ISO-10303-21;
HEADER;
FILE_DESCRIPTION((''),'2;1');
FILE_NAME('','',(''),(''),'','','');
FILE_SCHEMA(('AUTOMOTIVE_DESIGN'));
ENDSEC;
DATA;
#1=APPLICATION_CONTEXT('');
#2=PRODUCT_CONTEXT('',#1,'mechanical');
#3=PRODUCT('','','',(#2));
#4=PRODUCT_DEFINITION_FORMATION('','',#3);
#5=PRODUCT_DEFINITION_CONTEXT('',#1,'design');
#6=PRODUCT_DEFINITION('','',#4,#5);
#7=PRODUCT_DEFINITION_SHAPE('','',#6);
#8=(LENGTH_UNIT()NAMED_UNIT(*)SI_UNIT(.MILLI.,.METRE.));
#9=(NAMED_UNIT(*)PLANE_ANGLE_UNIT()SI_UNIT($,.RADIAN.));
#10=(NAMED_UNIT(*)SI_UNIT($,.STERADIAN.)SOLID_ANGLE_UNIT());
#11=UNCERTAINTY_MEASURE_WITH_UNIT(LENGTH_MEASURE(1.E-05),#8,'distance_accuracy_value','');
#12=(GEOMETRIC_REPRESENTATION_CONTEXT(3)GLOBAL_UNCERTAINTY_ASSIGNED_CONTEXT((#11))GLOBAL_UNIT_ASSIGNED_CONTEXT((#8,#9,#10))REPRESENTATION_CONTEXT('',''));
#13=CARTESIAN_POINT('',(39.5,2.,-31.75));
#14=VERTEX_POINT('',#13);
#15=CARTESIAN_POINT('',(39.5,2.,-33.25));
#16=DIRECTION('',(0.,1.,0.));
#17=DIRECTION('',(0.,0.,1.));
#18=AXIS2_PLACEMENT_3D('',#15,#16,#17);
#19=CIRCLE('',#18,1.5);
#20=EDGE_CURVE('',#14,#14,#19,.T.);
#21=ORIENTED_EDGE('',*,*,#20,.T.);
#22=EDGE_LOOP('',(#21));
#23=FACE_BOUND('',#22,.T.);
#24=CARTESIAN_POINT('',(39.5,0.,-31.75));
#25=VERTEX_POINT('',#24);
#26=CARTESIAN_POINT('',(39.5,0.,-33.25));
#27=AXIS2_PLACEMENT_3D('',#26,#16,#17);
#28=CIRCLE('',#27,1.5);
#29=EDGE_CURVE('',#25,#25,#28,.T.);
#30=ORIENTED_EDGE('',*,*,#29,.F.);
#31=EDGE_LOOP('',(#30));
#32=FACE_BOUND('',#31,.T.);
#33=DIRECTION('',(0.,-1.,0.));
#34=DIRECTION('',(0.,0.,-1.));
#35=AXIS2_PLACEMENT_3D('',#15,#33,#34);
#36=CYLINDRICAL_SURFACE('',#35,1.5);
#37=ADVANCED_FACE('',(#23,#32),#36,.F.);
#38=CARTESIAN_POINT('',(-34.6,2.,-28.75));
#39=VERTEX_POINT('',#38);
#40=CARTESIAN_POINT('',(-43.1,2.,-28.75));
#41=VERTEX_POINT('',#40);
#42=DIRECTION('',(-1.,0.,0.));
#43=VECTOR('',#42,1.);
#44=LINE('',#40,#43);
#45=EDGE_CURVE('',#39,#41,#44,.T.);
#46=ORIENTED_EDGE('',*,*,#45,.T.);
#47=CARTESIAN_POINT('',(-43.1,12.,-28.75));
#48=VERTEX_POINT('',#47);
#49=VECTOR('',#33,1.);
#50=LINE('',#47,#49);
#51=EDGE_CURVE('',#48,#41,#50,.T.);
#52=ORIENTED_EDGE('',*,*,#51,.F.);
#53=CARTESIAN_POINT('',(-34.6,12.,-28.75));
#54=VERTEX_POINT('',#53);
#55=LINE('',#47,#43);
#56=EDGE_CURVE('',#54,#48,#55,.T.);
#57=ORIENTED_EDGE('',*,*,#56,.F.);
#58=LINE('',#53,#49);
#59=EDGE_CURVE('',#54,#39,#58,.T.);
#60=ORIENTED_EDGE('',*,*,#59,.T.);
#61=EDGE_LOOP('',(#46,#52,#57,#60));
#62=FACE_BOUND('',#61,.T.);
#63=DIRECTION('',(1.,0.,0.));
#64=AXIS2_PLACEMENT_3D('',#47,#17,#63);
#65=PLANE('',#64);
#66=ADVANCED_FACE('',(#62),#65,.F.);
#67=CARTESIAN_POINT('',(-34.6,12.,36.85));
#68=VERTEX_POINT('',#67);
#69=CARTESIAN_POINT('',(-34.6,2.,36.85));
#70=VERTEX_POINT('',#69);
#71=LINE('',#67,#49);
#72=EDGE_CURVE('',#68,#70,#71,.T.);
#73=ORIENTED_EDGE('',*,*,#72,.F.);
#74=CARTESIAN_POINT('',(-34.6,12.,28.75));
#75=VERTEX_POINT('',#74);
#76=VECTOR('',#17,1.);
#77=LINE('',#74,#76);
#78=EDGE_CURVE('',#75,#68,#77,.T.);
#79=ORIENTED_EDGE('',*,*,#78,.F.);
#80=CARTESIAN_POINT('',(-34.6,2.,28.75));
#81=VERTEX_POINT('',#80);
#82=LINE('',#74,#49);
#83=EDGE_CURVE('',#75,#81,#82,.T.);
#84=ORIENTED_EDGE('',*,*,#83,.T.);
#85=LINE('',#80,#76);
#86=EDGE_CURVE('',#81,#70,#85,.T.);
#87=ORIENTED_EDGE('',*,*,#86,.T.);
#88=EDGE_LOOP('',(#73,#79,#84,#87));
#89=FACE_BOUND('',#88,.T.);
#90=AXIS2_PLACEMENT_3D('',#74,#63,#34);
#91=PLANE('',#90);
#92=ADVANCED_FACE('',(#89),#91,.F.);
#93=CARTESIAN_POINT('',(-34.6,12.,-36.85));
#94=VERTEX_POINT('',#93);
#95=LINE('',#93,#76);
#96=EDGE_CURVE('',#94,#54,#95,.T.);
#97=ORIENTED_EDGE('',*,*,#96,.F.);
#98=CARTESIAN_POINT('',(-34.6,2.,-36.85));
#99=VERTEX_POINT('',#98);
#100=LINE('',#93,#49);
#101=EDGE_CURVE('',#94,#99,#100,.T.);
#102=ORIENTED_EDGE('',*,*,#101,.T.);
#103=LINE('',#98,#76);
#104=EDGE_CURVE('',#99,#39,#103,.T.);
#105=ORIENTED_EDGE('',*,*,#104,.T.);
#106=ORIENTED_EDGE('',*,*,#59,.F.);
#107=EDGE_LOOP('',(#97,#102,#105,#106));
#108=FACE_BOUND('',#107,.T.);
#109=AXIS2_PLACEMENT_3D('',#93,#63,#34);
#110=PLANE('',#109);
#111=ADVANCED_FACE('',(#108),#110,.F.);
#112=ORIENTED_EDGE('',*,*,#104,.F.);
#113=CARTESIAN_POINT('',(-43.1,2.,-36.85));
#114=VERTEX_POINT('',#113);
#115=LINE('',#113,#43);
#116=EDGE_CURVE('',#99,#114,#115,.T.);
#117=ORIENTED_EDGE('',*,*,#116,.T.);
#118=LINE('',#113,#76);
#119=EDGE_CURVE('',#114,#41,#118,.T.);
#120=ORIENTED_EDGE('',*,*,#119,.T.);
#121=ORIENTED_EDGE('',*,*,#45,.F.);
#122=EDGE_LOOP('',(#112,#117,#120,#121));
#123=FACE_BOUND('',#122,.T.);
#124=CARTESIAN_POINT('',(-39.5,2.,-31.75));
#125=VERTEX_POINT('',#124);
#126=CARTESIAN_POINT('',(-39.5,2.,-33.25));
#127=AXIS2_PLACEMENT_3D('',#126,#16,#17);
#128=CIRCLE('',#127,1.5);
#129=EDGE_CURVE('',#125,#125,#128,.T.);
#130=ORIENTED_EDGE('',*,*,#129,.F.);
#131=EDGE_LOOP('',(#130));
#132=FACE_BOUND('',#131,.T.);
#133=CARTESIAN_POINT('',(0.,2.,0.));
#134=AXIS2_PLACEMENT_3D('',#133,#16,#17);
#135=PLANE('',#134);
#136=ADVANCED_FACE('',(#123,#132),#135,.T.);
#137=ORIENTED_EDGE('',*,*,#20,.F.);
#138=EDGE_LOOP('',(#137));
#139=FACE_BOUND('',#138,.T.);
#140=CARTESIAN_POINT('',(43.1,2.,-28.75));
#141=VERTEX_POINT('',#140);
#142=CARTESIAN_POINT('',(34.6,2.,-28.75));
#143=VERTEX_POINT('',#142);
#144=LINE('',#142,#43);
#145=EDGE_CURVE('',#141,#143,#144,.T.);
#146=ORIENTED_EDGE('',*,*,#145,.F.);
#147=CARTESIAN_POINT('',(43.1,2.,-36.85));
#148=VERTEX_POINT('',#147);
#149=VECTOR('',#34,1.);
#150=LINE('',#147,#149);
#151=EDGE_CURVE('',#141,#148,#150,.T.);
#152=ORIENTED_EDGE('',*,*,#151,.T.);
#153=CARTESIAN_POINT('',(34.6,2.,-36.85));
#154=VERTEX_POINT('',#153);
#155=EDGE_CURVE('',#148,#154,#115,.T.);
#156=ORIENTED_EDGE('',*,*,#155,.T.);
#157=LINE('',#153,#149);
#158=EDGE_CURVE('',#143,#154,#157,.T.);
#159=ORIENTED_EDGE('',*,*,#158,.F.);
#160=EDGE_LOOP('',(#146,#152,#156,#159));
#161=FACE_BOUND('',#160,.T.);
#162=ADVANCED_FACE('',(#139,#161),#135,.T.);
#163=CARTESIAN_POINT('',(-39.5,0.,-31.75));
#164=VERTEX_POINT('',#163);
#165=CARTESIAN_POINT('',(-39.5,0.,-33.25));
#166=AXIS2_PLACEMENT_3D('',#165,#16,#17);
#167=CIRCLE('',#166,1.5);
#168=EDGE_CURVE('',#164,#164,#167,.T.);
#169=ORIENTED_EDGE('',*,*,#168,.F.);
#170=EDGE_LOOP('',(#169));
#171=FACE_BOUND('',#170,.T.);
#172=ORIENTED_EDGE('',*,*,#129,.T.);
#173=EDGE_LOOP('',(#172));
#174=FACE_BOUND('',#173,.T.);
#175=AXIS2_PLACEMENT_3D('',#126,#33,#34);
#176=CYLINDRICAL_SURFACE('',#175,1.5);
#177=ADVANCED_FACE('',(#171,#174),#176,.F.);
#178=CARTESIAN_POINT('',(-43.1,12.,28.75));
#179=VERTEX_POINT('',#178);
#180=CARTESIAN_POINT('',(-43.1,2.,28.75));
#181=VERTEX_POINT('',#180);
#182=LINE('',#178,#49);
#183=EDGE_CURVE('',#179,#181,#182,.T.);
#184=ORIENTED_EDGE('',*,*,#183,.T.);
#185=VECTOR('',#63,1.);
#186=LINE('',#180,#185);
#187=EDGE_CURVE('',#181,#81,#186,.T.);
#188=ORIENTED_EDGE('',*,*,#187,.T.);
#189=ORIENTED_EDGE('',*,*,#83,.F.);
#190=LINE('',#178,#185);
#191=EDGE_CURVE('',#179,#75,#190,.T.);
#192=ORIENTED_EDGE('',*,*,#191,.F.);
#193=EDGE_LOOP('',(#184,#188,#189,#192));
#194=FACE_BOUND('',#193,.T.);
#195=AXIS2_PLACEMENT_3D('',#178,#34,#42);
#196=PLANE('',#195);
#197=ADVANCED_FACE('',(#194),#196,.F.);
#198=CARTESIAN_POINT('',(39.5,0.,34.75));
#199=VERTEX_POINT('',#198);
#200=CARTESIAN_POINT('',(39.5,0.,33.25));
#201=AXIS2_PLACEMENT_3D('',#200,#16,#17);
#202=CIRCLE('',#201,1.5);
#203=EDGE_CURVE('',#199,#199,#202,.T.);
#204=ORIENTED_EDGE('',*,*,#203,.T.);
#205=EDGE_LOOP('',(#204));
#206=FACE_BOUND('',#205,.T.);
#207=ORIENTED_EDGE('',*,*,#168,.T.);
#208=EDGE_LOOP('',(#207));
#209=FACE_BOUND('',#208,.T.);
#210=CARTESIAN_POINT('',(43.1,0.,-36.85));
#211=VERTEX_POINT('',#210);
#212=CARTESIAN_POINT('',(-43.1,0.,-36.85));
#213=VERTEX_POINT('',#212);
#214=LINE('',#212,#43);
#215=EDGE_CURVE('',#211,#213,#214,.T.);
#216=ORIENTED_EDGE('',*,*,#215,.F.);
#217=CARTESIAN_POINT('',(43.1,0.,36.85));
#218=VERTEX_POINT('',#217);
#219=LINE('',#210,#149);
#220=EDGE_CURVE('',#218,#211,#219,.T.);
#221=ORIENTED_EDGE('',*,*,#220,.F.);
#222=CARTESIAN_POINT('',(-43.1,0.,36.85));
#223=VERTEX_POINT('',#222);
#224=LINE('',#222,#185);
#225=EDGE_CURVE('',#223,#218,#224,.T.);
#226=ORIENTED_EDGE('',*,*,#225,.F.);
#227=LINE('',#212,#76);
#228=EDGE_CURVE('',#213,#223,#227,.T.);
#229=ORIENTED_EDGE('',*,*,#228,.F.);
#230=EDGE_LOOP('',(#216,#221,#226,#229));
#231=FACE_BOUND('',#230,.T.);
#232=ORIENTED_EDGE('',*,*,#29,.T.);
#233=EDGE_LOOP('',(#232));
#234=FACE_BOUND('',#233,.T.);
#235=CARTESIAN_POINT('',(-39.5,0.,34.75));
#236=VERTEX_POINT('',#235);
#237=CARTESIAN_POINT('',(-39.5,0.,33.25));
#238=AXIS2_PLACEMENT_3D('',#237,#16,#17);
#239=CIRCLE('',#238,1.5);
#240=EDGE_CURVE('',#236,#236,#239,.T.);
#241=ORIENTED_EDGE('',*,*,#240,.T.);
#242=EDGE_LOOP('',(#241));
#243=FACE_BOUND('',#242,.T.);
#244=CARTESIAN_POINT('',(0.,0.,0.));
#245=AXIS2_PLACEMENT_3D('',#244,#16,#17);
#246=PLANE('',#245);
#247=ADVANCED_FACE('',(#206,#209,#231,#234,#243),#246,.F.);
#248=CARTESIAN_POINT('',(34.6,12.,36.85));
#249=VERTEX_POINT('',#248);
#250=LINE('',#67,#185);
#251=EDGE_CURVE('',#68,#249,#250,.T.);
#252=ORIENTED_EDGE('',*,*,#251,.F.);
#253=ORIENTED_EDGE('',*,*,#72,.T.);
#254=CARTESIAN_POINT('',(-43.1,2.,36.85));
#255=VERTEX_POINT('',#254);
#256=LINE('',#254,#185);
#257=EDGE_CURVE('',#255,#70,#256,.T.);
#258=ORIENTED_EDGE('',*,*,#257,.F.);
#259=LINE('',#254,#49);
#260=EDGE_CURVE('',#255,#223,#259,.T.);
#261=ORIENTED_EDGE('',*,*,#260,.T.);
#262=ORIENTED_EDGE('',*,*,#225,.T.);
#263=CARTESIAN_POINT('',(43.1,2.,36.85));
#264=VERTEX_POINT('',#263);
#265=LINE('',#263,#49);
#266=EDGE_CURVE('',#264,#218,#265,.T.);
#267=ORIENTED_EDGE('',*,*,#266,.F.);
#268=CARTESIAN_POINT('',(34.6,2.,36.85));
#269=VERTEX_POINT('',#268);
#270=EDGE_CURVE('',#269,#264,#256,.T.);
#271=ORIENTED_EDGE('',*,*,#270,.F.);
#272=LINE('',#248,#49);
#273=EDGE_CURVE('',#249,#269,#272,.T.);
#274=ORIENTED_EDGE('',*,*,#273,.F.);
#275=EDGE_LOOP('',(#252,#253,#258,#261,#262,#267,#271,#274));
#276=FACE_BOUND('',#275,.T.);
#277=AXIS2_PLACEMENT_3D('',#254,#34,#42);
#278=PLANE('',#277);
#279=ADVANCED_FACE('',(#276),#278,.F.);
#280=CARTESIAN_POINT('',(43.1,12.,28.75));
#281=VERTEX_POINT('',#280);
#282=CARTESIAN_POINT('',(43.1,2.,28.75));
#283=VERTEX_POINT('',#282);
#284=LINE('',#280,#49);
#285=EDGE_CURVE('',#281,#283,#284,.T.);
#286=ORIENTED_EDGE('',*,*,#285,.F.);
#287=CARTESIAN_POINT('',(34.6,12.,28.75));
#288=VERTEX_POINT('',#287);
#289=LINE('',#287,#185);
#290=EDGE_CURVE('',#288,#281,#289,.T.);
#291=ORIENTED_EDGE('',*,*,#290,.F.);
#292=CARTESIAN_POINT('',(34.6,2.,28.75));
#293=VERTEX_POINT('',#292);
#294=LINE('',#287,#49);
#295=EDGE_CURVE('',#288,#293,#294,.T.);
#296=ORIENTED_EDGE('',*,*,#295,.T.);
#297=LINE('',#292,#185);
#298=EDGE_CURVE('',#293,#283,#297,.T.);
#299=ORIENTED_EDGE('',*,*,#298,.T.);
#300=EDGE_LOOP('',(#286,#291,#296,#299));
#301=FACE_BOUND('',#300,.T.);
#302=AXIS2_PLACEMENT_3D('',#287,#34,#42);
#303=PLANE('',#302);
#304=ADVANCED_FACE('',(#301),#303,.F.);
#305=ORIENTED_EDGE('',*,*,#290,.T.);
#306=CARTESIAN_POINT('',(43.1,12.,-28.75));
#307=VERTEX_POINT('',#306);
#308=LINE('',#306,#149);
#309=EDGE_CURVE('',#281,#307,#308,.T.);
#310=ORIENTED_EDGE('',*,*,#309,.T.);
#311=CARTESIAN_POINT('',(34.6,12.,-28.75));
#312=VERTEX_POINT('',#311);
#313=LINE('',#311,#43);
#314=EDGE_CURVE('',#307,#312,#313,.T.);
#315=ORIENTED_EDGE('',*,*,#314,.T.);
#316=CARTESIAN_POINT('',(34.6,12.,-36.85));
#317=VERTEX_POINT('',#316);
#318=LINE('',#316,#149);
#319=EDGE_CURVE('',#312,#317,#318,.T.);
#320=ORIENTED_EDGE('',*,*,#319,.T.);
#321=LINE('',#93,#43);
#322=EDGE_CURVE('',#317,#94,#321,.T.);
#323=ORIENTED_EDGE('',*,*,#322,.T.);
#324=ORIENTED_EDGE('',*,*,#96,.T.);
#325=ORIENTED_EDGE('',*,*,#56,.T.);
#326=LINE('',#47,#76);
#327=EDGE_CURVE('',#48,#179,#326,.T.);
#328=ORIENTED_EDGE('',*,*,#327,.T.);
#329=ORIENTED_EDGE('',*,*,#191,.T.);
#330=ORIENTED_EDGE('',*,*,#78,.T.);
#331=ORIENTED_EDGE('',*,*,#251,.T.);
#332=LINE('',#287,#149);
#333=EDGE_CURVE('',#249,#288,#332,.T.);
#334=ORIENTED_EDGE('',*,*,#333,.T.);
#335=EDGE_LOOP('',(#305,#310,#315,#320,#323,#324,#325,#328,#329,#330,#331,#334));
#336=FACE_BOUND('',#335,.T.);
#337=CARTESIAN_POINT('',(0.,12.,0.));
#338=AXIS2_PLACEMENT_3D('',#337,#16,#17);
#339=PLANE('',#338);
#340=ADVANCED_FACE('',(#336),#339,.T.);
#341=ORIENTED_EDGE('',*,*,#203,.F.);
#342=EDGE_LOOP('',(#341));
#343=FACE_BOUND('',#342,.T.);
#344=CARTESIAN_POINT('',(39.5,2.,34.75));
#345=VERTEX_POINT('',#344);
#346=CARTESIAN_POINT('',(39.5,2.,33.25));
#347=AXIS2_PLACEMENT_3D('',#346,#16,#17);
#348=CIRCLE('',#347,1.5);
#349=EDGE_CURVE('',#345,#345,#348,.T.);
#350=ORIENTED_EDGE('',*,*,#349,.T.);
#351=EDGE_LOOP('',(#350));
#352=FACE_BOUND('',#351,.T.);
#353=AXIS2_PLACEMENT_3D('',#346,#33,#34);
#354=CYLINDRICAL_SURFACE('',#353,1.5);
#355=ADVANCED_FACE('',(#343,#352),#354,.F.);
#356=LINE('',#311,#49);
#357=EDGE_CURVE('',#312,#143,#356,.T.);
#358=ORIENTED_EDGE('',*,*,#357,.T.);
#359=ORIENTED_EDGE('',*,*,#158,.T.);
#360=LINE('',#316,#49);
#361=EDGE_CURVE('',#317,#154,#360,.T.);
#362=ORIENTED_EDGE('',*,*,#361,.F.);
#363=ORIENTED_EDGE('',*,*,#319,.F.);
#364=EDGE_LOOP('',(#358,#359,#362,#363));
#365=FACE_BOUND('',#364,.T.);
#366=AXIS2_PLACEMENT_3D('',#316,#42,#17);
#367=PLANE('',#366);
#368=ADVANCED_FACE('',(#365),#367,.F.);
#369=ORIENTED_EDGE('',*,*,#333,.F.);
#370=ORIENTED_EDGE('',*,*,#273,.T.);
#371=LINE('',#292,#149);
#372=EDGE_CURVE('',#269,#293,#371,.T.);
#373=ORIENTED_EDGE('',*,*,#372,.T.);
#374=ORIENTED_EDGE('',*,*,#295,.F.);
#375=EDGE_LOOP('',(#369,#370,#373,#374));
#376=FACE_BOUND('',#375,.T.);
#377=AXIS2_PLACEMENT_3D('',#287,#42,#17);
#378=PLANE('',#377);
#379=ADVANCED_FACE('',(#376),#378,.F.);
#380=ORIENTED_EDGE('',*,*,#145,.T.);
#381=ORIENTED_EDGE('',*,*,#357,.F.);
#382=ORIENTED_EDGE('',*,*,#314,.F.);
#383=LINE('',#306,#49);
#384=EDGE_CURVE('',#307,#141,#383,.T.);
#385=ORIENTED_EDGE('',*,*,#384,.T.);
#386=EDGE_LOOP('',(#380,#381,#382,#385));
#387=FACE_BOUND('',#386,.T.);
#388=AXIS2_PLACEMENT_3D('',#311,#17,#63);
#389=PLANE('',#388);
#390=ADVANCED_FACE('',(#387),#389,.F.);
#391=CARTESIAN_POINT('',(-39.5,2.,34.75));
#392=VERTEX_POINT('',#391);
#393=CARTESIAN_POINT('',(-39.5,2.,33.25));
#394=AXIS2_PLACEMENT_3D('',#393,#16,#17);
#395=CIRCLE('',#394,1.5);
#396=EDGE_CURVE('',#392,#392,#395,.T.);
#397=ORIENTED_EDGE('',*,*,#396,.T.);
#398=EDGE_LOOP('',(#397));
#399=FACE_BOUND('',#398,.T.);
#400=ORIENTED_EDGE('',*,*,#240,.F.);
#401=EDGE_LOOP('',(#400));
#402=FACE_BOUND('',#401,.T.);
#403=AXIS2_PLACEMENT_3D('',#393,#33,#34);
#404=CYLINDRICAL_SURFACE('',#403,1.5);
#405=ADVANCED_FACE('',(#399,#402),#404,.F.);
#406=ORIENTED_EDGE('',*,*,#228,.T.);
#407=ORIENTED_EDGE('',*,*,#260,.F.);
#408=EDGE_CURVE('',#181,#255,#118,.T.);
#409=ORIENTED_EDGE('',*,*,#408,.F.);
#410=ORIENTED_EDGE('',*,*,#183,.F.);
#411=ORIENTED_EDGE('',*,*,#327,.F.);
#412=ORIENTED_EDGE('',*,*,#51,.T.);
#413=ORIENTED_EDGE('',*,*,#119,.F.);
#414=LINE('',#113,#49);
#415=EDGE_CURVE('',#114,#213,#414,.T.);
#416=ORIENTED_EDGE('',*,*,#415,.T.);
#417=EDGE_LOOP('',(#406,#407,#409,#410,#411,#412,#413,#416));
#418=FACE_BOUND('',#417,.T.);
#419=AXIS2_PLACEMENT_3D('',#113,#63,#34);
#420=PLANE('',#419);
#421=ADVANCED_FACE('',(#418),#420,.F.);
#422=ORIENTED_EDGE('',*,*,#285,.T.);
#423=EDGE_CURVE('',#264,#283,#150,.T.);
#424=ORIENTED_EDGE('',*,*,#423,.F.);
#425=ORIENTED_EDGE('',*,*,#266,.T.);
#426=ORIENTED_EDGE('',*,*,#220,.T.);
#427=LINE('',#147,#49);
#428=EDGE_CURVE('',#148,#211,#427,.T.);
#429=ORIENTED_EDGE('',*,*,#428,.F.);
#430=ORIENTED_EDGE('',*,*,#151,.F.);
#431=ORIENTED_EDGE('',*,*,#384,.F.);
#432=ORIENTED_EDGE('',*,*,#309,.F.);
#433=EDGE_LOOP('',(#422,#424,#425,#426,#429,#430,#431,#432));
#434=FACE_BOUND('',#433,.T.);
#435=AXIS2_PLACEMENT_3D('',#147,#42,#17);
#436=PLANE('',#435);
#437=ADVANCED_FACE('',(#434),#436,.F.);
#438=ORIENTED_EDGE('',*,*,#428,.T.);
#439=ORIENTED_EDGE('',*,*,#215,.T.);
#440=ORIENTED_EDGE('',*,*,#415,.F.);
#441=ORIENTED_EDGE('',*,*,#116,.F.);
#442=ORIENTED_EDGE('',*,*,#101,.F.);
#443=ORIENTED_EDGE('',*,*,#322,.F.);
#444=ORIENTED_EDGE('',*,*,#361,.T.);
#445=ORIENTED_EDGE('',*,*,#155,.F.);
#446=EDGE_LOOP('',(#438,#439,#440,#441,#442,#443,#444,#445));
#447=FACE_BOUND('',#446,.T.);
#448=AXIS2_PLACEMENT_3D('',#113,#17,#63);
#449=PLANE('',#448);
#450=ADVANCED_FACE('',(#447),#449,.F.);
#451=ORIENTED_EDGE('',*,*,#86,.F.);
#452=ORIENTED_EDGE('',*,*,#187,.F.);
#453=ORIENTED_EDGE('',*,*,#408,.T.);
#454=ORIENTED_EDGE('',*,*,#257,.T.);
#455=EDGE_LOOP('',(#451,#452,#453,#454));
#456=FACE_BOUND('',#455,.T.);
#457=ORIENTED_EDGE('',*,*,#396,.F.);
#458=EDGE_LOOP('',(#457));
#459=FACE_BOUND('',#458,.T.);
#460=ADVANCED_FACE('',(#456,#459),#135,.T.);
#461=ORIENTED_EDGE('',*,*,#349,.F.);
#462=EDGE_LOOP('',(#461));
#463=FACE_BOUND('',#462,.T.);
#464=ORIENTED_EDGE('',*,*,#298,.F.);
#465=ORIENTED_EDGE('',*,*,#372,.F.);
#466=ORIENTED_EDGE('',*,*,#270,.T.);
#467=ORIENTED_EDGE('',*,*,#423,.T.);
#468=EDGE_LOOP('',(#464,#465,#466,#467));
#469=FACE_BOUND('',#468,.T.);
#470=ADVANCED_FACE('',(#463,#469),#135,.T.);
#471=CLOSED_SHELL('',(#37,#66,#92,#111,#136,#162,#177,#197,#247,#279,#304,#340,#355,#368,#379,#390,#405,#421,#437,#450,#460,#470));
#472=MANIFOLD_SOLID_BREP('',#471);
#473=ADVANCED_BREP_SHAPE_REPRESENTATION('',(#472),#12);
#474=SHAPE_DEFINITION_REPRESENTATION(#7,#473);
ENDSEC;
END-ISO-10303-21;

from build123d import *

# Parameters (mm, degrees)
SKETCH_1_W      = 86.2
SKETCH_1_H      = 73.7
SKETCH_1_R      = 1.5
EXTRUDE_1_DEPTH = 2
EXTRUDE_2_DEPTH = 10


with BuildPart() as part:
    # 草图1 → 凸台-拉伸1 (new body)
    with BuildSketch(Plane(origin=(0, 0, 0), x_dir=(1, 0, 0), z_dir=(0, 1, 0))):
        Rectangle(SKETCH_1_W, SKETCH_1_H)
        with Locations(Location((-39.5, 33.25, 0), (0, 0, 270))):
            Circle(SKETCH_1_R, mode=Mode.SUBTRACT)
        with Locations(Location((39.5, 33.25, 0), (0, 0, 270))):
            Circle(SKETCH_1_R, mode=Mode.SUBTRACT)
        with Locations(Location((-39.5, -33.25, 0), (0, 0, 270))):
            Circle(SKETCH_1_R, mode=Mode.SUBTRACT)
        with Locations(Location((39.5, -33.25, 0), (0, 0, 270))):
            Circle(SKETCH_1_R, mode=Mode.SUBTRACT)
    extrude(amount=EXTRUDE_1_DEPTH)

    # 草图2 → 凸台-拉伸2 (add)
    with BuildSketch(Plane(origin=(0, 2, 0), x_dir=(1, 0, 0), z_dir=(0, 1, 0))):
        Polygon((-34.6, 36.85), (34.6, 36.85), (34.6, 28.75), (43.1, 28.75), (43.1, -28.75), (34.6, -28.75), (34.6, -36.85), (-34.6, -36.85), (-34.6, -28.75), (-43.1, -28.75), (-43.1, 28.75), (-34.6, 28.75), align=None)
    extrude(amount=EXTRUDE_2_DEPTH)


solid = part.part
